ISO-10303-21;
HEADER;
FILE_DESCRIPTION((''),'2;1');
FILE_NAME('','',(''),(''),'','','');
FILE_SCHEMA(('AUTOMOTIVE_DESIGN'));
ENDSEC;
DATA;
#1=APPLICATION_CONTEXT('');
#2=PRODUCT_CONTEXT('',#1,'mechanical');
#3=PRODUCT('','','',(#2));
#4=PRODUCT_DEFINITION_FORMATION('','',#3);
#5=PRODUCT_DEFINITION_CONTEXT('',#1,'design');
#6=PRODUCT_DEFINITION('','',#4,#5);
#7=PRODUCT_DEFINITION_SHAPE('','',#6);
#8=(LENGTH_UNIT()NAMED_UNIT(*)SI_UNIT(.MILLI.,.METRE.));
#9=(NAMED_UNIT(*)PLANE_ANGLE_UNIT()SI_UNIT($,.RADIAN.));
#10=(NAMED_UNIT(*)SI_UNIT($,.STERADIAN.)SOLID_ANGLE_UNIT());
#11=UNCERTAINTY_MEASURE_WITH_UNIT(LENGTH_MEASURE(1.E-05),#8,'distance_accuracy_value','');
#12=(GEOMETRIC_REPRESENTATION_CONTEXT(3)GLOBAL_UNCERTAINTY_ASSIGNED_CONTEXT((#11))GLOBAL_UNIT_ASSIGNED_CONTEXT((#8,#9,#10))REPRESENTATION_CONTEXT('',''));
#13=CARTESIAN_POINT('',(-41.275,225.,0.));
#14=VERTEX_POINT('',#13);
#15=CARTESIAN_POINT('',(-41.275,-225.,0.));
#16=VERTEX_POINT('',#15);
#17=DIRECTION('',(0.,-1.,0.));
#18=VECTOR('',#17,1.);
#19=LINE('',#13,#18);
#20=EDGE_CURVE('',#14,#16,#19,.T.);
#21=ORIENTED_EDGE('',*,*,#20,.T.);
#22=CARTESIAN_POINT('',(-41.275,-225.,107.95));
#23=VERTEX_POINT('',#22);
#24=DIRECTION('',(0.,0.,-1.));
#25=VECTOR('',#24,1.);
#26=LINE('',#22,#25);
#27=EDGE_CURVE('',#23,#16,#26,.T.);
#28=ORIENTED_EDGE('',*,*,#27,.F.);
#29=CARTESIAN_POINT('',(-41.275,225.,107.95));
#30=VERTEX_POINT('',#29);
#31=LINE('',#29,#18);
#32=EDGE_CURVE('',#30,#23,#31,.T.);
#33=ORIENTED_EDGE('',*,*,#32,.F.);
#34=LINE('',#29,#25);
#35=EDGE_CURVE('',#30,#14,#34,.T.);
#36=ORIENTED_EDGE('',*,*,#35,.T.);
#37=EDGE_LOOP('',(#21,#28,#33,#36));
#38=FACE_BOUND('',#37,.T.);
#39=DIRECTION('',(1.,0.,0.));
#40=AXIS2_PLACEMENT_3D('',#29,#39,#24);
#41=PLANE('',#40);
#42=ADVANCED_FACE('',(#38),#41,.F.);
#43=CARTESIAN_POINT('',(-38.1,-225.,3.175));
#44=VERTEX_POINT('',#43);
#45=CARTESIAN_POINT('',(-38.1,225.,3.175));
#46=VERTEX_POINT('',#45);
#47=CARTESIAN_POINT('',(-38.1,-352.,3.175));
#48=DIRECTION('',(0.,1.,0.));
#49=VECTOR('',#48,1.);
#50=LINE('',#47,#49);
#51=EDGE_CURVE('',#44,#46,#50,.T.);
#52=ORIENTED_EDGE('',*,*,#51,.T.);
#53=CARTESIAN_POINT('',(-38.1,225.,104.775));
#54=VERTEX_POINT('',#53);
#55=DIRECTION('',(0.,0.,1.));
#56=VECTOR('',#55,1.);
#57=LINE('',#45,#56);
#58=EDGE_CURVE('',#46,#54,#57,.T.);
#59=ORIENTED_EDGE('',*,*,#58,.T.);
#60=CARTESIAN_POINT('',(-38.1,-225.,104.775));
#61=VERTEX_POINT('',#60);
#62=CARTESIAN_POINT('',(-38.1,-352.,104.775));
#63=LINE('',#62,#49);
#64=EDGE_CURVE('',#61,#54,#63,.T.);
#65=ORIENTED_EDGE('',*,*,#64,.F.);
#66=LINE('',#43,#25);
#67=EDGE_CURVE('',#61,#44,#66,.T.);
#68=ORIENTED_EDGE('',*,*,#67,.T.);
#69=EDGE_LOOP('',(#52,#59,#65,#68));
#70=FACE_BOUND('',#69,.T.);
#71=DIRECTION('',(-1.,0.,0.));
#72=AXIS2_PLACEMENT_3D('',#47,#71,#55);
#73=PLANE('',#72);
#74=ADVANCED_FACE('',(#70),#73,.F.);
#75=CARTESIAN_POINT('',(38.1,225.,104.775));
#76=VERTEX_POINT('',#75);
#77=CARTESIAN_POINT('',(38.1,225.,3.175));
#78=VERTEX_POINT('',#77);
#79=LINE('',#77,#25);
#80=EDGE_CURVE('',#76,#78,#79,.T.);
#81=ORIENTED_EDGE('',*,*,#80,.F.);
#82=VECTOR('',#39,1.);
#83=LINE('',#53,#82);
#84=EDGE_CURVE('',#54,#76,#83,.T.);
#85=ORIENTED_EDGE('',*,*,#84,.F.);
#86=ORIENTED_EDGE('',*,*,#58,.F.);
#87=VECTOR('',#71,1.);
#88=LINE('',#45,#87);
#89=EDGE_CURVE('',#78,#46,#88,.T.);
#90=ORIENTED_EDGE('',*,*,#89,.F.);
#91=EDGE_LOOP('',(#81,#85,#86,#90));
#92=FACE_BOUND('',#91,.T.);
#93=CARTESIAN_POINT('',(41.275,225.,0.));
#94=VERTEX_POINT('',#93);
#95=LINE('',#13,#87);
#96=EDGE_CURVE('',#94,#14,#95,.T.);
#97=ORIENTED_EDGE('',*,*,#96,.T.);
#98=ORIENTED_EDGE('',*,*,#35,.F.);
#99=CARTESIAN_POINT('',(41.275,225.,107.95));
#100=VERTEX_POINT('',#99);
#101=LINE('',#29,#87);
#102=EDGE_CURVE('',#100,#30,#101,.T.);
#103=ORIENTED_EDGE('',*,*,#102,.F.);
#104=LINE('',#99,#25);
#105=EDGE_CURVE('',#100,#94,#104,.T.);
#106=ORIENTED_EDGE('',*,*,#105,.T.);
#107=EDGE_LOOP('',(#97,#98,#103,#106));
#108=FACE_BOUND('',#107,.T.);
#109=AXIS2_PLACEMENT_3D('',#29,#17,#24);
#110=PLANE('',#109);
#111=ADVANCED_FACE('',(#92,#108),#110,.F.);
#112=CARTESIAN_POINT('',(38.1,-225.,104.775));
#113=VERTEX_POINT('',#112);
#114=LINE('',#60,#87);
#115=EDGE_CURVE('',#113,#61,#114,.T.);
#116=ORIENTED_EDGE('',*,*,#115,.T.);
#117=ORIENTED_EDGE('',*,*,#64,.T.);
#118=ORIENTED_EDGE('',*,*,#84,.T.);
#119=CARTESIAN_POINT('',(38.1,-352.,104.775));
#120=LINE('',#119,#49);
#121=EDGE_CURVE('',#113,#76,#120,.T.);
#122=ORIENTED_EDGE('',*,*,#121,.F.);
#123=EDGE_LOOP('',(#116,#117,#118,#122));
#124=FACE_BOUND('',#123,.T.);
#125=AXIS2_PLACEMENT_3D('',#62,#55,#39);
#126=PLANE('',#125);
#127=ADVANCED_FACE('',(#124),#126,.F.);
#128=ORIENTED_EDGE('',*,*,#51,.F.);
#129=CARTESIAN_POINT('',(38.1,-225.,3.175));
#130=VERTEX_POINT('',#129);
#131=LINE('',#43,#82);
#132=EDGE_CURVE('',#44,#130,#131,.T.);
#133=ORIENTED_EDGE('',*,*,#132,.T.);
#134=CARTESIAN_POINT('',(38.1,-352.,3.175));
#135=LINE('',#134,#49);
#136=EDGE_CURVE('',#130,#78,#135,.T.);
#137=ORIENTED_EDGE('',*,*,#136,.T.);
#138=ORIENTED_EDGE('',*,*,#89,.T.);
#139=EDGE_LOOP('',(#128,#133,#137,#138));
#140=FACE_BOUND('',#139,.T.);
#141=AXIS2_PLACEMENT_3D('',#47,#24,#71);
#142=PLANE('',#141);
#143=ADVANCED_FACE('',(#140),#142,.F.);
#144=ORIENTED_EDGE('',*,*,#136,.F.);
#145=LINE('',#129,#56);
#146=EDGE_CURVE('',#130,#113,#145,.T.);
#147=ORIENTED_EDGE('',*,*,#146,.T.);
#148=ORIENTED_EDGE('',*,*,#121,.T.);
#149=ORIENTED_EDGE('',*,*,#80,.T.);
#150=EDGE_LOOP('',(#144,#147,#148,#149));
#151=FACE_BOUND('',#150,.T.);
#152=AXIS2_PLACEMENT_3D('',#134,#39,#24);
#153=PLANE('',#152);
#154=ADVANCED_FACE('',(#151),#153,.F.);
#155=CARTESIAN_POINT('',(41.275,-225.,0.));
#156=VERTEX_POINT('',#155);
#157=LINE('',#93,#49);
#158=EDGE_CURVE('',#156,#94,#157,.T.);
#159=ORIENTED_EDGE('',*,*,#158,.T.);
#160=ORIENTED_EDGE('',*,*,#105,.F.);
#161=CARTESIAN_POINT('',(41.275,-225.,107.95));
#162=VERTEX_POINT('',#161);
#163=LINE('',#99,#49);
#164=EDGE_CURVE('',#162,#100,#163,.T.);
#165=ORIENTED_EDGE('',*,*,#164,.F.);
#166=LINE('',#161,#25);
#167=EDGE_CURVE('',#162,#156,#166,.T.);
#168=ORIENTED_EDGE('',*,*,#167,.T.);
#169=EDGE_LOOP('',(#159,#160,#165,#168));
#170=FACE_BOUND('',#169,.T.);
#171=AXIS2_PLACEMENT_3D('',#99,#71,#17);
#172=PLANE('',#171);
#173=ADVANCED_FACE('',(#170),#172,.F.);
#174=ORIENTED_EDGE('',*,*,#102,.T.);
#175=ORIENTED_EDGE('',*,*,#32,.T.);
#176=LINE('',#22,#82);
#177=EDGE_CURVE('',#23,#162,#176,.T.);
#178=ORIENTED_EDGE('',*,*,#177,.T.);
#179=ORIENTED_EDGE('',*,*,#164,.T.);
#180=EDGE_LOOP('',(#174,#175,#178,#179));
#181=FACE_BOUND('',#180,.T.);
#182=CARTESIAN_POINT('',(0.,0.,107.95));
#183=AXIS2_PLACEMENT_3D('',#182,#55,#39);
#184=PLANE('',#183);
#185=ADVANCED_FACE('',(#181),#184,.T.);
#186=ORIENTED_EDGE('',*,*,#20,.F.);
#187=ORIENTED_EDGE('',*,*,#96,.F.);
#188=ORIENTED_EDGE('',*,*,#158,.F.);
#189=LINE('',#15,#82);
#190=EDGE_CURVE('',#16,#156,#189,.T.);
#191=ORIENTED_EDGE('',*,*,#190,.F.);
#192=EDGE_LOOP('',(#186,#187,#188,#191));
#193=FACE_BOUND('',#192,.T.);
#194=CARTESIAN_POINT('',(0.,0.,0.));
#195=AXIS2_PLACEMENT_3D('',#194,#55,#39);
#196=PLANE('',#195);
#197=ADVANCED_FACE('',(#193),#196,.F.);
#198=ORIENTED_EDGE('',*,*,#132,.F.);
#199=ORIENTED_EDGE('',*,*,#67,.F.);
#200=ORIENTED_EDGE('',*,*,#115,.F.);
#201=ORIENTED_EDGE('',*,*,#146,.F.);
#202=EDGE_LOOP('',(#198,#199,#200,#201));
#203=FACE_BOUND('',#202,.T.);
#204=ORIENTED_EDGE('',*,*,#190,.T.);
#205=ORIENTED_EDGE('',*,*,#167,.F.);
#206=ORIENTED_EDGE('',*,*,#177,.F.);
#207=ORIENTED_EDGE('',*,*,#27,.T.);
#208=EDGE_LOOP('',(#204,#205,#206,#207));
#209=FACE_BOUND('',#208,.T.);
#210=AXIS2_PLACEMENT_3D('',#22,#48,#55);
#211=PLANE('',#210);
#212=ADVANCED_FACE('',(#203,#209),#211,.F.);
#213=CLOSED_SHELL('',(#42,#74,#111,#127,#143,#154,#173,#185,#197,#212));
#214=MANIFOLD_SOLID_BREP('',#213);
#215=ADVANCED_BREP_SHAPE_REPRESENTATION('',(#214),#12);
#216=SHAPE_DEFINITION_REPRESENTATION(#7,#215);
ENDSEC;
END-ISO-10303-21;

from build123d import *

# Parameters (mm, degrees)
ESQUISSE1_W             = 82.55
ESQUISSE1_H             = 450
BOSS_EXTRU_1_DEPTH      = 107.95
ESQUISSE2_W             = 76.2
ESQUISSE2_H             = 101.6
ENL_V_MAT_EXTRU_1_DEPTH = 450


with BuildPart() as part:
    # Esquisse1 → Boss.-Extru.1 (new body)
    with BuildSketch(Plane.XY):
        Rectangle(ESQUISSE1_W, ESQUISSE1_H)
    extrude(amount=BOSS_EXTRU_1_DEPTH)

    # Esquisse2 → Enlèv. mat.-Extru.1 (cut)
    with BuildSketch(Plane(origin=(0, 225, 0), x_dir=(1, 0, 0), z_dir=(0, 1, 0))):
        with Locations((0, -53.975)):
            Rectangle(ESQUISSE2_W, ESQUISSE2_H)
    extrude(amount=-ENL_V_MAT_EXTRU_1_DEPTH, mode=Mode.SUBTRACT)


solid = part.part
